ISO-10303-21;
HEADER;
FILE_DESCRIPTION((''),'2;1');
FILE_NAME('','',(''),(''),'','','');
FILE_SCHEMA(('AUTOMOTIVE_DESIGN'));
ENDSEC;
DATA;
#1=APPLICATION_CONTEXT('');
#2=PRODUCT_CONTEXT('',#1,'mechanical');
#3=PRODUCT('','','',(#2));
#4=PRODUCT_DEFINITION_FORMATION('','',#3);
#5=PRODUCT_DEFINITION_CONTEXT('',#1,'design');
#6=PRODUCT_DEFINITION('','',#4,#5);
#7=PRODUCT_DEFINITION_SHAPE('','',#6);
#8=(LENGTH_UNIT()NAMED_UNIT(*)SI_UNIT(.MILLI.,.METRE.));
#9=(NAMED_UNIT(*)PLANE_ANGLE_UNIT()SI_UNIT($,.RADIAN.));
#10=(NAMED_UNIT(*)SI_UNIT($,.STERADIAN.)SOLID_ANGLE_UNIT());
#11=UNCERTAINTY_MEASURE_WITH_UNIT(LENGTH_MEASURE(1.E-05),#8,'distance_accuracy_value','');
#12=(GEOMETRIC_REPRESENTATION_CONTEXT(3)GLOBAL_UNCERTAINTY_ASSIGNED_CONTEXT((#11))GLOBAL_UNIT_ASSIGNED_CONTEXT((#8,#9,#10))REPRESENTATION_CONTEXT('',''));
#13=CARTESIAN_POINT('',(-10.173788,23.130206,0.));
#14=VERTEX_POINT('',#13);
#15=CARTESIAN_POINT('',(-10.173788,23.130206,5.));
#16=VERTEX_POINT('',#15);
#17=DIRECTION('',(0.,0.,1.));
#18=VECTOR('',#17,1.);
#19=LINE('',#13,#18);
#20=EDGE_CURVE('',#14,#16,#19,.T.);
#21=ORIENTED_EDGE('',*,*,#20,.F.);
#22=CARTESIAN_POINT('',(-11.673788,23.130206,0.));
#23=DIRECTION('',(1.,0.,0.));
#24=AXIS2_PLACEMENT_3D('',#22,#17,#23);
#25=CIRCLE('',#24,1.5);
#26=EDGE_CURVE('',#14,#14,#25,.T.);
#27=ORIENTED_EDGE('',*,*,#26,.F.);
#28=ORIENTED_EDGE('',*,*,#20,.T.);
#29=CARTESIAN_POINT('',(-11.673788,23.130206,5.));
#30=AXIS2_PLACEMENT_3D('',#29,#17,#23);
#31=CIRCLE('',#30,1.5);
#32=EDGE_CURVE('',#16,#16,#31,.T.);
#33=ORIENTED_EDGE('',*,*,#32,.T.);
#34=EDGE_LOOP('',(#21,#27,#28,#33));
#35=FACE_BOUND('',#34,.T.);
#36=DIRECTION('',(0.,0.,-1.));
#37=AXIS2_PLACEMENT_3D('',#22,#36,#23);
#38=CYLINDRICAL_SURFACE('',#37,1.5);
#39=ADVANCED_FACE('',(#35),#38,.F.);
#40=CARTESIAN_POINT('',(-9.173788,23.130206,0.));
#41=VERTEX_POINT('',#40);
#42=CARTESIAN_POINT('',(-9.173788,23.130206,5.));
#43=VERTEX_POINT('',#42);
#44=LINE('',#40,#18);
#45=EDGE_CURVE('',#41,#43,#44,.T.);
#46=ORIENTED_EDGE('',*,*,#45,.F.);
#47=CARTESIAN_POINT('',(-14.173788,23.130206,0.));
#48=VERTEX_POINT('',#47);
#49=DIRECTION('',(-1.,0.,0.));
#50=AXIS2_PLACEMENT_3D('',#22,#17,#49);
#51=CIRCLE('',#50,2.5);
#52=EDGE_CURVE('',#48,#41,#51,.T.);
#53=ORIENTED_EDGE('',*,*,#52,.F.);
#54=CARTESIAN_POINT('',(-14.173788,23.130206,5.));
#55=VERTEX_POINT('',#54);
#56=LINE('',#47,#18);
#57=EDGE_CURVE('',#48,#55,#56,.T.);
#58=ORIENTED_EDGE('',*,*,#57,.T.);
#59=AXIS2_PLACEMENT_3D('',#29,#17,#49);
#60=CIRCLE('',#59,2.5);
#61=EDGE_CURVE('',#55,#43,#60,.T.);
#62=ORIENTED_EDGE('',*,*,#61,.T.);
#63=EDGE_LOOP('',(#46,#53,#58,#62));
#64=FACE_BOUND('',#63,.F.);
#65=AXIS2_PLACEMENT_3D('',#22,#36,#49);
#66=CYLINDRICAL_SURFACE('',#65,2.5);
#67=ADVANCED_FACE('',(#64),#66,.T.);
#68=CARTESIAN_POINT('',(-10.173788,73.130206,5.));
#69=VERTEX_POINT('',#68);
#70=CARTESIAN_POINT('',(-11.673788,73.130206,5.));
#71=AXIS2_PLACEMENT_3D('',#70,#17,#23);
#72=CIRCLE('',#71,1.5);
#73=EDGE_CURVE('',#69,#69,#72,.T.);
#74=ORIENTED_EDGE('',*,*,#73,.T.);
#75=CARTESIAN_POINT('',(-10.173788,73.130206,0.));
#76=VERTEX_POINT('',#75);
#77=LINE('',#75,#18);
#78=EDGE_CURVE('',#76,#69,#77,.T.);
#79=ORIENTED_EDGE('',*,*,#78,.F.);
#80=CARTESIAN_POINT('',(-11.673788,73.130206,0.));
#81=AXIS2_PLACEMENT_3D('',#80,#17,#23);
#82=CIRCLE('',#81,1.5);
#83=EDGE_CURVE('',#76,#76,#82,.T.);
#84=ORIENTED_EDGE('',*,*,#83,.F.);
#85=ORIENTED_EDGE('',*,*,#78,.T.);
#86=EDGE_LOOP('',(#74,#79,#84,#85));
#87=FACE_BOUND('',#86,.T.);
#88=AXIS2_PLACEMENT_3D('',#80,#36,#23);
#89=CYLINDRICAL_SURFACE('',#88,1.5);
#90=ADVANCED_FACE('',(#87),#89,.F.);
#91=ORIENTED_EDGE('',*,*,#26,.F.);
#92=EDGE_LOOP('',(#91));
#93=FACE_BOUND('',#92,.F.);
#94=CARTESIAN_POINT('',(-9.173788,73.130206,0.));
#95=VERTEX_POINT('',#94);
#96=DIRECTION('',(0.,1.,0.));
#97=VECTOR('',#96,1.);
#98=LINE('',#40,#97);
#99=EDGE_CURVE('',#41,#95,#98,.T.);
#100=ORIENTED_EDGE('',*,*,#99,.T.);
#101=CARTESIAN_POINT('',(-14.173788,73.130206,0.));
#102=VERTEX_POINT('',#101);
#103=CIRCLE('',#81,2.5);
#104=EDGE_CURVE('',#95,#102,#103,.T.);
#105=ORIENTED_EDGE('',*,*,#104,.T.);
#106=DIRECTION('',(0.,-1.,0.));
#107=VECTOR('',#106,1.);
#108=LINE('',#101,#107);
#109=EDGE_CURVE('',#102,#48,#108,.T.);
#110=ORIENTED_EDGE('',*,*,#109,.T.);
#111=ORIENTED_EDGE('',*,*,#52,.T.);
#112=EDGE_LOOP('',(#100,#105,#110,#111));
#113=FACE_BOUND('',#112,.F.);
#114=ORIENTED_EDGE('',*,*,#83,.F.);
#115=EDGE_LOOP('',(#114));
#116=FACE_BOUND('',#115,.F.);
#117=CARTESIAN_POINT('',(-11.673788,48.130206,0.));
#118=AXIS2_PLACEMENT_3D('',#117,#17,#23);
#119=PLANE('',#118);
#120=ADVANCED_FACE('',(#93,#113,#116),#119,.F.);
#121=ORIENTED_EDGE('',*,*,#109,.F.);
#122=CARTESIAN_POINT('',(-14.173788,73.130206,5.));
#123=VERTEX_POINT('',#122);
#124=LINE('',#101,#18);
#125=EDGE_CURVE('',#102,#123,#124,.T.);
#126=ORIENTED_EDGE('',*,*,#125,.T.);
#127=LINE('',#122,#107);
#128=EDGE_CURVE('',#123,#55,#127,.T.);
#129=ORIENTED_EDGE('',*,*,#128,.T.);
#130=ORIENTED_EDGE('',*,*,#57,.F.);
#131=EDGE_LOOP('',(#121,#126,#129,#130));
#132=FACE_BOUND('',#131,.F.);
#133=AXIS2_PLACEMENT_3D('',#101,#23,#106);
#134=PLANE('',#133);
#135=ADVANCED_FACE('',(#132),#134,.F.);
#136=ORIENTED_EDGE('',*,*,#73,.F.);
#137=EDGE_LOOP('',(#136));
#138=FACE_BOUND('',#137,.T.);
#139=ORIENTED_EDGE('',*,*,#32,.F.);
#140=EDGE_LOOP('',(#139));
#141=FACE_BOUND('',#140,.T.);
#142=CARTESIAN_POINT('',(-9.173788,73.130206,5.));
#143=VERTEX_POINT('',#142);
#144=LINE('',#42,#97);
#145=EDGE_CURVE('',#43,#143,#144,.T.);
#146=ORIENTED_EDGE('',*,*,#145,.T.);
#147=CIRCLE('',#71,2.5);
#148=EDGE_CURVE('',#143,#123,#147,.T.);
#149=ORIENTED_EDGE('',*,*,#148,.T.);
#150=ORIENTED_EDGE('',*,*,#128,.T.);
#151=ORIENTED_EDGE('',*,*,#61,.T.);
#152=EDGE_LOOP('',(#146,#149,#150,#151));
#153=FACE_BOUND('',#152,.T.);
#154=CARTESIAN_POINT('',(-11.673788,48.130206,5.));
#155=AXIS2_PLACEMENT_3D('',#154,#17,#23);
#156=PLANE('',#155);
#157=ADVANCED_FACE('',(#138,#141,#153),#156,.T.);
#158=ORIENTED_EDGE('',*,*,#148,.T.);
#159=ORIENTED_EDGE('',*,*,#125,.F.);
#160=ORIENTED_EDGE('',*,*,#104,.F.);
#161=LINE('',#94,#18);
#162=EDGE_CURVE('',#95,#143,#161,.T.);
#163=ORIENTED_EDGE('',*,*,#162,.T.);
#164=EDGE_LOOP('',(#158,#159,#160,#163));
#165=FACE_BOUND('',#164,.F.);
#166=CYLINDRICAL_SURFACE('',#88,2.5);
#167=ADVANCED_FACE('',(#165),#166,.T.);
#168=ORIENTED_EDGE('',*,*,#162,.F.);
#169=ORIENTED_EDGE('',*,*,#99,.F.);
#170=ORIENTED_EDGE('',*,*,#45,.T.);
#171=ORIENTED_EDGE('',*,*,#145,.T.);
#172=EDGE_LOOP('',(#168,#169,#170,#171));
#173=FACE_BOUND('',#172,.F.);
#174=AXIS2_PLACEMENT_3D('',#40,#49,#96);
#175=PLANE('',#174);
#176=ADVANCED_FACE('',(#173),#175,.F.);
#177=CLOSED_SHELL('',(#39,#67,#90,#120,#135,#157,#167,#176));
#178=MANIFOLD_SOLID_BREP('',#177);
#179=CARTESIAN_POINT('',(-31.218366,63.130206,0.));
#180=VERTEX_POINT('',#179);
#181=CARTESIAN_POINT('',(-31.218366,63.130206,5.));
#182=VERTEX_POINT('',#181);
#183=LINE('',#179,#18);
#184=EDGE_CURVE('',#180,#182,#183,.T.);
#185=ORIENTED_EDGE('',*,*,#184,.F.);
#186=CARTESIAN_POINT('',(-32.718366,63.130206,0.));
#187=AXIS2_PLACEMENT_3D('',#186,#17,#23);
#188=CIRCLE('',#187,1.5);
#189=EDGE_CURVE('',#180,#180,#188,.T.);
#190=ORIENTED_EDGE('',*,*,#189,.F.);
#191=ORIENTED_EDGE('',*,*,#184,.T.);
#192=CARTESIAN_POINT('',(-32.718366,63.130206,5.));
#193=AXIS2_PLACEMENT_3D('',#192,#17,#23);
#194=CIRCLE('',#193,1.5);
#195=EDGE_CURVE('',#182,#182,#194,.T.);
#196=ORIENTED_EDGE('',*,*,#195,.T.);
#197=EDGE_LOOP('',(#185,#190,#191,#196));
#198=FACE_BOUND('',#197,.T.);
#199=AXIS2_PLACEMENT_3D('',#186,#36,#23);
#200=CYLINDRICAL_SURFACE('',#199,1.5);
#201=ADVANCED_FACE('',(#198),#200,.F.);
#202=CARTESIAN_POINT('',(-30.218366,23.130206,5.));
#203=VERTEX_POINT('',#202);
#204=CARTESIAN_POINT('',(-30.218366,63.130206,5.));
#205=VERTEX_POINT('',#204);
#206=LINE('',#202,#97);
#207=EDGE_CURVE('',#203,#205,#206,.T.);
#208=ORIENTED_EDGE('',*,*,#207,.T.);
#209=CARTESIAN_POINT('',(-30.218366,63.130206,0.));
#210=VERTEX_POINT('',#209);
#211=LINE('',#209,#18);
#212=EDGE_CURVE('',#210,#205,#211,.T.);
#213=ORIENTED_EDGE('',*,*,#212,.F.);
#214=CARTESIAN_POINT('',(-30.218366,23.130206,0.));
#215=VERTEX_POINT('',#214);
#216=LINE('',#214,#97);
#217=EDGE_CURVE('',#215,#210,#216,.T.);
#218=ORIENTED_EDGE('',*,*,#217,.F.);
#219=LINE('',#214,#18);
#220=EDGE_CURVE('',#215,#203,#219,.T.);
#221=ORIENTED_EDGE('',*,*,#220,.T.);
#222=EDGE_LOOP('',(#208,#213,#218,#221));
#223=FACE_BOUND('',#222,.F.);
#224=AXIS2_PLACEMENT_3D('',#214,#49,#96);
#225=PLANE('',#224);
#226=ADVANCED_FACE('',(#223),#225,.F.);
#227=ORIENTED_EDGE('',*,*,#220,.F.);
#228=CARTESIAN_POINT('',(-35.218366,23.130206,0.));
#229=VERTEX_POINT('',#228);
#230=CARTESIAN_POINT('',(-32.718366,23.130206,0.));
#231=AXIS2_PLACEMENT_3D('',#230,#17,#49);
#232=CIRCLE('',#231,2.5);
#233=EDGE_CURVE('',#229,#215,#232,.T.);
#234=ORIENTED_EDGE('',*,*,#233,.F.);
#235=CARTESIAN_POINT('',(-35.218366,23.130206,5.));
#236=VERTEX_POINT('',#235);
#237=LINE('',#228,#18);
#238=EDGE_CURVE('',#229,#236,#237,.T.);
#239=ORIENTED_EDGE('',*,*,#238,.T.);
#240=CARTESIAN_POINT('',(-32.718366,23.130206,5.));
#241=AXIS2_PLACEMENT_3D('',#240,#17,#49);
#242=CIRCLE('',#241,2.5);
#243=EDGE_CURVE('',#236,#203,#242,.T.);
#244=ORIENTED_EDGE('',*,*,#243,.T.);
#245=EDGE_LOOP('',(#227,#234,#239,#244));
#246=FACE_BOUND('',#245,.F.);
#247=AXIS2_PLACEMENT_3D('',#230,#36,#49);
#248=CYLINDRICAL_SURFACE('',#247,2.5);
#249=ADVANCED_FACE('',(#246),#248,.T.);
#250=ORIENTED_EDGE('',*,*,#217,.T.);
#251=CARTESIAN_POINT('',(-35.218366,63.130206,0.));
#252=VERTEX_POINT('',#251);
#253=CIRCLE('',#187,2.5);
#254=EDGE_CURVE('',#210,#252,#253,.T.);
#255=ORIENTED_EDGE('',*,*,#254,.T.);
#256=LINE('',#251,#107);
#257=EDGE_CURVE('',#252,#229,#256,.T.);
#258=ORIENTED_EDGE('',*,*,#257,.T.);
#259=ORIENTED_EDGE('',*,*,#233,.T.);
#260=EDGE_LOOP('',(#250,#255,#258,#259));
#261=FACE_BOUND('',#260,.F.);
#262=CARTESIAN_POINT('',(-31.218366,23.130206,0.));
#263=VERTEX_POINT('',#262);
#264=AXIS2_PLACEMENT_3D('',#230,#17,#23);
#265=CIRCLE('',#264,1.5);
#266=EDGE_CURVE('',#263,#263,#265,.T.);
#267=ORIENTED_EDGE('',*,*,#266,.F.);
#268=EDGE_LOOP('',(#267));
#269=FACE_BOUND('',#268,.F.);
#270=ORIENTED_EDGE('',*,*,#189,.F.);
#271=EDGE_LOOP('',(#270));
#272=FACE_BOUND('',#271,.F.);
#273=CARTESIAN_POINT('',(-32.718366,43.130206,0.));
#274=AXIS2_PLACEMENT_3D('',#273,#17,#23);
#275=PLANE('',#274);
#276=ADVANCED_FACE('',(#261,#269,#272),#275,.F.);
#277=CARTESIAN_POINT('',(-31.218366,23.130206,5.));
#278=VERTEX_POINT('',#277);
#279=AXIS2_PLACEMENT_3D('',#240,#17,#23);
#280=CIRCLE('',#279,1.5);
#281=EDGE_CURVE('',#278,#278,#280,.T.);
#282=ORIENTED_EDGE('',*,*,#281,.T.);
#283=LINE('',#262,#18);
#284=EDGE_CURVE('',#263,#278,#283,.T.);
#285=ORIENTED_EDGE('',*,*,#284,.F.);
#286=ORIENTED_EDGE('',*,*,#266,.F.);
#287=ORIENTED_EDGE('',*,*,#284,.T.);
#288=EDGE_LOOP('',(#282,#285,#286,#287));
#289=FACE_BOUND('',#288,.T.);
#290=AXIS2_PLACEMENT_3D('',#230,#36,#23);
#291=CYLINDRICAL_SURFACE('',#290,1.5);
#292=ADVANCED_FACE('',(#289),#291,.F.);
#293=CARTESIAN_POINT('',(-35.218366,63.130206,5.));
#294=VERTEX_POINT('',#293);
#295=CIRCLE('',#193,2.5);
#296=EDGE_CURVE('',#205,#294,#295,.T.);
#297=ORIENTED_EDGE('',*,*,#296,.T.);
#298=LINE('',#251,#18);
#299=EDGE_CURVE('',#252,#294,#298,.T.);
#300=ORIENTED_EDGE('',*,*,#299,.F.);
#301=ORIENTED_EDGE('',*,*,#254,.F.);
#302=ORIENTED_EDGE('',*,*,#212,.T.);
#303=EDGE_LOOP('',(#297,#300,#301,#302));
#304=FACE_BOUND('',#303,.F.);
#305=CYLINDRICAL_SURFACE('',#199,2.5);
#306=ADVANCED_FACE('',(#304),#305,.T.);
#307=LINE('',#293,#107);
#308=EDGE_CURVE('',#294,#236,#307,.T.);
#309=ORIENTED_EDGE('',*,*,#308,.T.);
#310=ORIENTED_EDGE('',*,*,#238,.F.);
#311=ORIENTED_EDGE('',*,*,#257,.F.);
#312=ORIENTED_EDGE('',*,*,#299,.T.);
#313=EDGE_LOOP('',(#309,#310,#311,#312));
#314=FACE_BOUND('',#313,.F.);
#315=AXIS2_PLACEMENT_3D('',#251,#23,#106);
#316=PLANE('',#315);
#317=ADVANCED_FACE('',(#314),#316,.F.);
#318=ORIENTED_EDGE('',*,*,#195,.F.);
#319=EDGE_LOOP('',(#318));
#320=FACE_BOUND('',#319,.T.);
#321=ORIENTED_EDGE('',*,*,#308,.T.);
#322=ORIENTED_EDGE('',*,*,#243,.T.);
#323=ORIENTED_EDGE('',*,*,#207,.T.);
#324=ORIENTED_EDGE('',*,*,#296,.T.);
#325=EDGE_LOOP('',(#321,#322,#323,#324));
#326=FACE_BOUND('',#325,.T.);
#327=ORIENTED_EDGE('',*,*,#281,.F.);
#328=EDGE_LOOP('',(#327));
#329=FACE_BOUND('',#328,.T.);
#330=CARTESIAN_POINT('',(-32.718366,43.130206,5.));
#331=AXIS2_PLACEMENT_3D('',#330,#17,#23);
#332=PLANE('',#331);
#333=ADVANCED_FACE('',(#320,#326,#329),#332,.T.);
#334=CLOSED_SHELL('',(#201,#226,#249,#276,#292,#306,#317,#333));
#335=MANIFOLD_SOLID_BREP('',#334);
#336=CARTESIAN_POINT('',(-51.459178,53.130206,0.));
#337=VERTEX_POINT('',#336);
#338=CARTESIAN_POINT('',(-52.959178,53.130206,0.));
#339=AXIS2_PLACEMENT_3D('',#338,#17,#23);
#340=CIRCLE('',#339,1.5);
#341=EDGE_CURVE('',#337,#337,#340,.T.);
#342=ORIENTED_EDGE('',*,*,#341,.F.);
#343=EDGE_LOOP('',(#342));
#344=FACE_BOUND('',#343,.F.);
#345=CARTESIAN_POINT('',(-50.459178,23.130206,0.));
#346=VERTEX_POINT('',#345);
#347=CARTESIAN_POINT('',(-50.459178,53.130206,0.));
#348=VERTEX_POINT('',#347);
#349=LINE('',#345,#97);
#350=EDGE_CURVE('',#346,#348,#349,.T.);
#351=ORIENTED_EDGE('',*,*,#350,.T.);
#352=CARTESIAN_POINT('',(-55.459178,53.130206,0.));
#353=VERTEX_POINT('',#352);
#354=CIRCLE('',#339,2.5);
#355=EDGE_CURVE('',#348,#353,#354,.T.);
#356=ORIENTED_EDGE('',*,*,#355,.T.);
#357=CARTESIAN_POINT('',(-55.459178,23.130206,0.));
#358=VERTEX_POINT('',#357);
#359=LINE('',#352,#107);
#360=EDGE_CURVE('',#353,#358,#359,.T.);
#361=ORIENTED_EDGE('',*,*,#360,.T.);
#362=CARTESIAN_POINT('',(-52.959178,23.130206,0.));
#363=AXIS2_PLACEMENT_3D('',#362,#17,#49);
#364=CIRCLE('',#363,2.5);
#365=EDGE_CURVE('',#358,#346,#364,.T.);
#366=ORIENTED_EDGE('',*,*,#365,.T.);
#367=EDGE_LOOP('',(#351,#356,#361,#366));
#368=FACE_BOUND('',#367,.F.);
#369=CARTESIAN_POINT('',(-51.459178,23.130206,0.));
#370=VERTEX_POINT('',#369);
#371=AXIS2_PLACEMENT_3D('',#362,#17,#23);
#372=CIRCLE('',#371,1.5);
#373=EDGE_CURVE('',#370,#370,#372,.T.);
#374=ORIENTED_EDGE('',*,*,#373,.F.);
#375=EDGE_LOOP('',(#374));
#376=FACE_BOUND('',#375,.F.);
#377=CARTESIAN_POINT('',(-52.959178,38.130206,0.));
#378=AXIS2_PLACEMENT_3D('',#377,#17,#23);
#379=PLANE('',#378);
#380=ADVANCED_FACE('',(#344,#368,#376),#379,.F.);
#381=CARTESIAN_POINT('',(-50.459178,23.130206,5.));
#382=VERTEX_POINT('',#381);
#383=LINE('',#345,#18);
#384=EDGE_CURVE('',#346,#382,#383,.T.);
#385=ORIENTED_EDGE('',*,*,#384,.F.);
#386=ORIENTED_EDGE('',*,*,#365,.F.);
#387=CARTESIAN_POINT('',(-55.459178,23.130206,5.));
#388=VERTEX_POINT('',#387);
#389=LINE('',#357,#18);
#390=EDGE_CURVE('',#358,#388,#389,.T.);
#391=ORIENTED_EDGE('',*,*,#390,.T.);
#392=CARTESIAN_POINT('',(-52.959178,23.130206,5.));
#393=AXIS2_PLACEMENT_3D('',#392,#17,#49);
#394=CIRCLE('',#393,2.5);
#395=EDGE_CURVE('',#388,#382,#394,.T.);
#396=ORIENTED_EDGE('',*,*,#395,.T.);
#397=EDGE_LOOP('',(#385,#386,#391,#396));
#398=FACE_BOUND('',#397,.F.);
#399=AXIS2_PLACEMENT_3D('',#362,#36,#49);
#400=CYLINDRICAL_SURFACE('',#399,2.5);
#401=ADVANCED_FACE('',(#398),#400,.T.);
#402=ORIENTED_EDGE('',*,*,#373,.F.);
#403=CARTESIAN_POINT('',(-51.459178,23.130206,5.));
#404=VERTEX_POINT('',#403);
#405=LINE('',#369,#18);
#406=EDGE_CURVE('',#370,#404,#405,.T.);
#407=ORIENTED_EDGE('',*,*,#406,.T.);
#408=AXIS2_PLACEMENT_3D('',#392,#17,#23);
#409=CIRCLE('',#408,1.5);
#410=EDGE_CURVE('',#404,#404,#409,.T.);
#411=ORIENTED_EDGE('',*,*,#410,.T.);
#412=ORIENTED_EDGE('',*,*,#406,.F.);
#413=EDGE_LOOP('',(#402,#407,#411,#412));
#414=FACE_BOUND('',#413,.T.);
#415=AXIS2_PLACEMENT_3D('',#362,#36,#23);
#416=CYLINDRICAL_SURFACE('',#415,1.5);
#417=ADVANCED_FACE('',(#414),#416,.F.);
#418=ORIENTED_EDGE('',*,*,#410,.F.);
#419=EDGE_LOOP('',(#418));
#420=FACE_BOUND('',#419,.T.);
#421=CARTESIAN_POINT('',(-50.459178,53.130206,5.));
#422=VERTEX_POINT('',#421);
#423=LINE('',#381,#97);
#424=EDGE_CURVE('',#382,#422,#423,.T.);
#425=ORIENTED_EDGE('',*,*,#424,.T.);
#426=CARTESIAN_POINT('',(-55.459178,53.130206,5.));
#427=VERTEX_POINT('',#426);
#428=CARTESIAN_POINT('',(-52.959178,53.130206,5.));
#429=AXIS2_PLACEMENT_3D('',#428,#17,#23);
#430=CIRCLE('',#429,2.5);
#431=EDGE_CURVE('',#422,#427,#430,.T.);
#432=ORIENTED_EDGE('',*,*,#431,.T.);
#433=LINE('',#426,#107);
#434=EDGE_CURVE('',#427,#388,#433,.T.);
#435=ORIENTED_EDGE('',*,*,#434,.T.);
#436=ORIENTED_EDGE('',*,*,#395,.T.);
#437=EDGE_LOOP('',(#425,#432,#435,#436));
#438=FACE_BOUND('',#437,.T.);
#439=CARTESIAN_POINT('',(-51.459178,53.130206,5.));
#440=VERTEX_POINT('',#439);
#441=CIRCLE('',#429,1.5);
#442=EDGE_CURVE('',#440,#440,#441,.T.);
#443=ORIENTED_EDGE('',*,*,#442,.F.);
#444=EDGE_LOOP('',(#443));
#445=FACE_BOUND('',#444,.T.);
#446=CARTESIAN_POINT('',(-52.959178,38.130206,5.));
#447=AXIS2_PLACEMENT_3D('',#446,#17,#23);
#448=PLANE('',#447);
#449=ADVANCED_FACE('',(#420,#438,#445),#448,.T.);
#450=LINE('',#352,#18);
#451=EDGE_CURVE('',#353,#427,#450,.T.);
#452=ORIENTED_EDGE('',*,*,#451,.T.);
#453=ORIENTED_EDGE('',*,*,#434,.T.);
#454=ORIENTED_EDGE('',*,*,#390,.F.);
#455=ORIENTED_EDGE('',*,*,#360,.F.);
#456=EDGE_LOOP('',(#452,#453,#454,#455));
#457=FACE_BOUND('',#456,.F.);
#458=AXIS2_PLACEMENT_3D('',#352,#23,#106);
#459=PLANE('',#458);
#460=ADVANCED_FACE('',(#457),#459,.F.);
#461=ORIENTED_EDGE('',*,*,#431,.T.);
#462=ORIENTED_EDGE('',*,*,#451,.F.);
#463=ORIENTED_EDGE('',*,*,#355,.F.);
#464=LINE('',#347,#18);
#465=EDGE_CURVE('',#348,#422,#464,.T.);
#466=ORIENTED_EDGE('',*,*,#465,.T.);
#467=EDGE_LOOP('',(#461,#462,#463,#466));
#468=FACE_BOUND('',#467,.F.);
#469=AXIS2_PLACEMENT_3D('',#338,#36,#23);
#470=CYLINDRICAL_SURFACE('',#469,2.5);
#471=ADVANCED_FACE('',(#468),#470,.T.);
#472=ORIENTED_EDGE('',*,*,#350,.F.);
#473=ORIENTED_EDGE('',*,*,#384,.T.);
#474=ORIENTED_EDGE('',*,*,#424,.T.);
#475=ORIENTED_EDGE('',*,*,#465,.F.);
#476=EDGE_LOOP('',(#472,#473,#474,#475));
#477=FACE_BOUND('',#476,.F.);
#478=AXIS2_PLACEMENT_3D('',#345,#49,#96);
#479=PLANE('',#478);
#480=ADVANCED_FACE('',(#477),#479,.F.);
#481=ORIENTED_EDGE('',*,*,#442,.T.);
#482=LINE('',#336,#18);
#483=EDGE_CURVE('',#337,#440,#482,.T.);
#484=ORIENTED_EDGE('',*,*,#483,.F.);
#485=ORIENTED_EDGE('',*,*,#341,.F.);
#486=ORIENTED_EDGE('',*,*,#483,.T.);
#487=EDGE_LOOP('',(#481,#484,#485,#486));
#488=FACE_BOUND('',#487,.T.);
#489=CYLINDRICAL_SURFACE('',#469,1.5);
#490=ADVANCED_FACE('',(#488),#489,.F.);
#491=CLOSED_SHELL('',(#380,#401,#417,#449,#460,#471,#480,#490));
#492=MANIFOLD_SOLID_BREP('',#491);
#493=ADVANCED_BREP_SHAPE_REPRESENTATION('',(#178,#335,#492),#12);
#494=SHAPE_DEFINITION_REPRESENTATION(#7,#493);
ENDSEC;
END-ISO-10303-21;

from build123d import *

# Parameters (mm, degrees)
F0_R     = 1.5
F1_DEPTH = 5


with BuildPart() as f1:
    # F0 (on Top) → F1 (new body)
    with BuildSketch(Plane.XY):
        with BuildLine():
            ThreePointArc((-14.173788, 23.130206), (-11.673788, 20.630206), (-9.173788, 23.130206))
            Line((-9.173788, 23.130206), (-9.173788, 73.130206))
            ThreePointArc((-9.173788, 73.130206), (-11.673788, 75.630206), (-14.173788, 73.130206))
            Line((-14.173788, 73.130206), (-14.173788, 23.130206))
        make_face()
        with Locations((-11.673788, 23.130206)):
            Circle(F0_R, mode=Mode.SUBTRACT)
        with Locations((-11.673788, 73.130206)):
            Circle(F0_R, mode=Mode.SUBTRACT)
        with BuildLine():
            ThreePointArc((-55.459178, 23.130206), (-52.959178, 20.630206), (-50.459178, 23.130206))
            Line((-50.459178, 23.130206), (-50.459178, 53.130206))
            ThreePointArc((-50.459178, 53.130206), (-52.959178, 55.630206), (-55.459178, 53.130206))
            Line((-55.459178, 53.130206), (-55.459178, 23.130206))
        make_face()
        with Locations((-52.959178, 23.130206)):
            Circle(F0_R, mode=Mode.SUBTRACT)
        with Locations((-52.959178, 53.130206)):
            Circle(F0_R, mode=Mode.SUBTRACT)
        with BuildLine():
            ThreePointArc((-35.218366, 23.130206), (-32.718366, 20.630206), (-30.218366, 23.130206))
            Line((-30.218366, 23.130206), (-30.218366, 63.130206))
            ThreePointArc((-30.218366, 63.130206), (-32.718366, 65.630206), (-35.218366, 63.130206))
            Line((-35.218366, 63.130206), (-35.218366, 23.130206))
        make_face()
        with Locations((-32.718366, 23.130206)):
            Circle(F0_R, mode=Mode.SUBTRACT)
        with Locations((-32.718366, 63.130206)):
            Circle(F0_R, mode=Mode.SUBTRACT)
    extrude(amount=F1_DEPTH)


solid = f1.part
